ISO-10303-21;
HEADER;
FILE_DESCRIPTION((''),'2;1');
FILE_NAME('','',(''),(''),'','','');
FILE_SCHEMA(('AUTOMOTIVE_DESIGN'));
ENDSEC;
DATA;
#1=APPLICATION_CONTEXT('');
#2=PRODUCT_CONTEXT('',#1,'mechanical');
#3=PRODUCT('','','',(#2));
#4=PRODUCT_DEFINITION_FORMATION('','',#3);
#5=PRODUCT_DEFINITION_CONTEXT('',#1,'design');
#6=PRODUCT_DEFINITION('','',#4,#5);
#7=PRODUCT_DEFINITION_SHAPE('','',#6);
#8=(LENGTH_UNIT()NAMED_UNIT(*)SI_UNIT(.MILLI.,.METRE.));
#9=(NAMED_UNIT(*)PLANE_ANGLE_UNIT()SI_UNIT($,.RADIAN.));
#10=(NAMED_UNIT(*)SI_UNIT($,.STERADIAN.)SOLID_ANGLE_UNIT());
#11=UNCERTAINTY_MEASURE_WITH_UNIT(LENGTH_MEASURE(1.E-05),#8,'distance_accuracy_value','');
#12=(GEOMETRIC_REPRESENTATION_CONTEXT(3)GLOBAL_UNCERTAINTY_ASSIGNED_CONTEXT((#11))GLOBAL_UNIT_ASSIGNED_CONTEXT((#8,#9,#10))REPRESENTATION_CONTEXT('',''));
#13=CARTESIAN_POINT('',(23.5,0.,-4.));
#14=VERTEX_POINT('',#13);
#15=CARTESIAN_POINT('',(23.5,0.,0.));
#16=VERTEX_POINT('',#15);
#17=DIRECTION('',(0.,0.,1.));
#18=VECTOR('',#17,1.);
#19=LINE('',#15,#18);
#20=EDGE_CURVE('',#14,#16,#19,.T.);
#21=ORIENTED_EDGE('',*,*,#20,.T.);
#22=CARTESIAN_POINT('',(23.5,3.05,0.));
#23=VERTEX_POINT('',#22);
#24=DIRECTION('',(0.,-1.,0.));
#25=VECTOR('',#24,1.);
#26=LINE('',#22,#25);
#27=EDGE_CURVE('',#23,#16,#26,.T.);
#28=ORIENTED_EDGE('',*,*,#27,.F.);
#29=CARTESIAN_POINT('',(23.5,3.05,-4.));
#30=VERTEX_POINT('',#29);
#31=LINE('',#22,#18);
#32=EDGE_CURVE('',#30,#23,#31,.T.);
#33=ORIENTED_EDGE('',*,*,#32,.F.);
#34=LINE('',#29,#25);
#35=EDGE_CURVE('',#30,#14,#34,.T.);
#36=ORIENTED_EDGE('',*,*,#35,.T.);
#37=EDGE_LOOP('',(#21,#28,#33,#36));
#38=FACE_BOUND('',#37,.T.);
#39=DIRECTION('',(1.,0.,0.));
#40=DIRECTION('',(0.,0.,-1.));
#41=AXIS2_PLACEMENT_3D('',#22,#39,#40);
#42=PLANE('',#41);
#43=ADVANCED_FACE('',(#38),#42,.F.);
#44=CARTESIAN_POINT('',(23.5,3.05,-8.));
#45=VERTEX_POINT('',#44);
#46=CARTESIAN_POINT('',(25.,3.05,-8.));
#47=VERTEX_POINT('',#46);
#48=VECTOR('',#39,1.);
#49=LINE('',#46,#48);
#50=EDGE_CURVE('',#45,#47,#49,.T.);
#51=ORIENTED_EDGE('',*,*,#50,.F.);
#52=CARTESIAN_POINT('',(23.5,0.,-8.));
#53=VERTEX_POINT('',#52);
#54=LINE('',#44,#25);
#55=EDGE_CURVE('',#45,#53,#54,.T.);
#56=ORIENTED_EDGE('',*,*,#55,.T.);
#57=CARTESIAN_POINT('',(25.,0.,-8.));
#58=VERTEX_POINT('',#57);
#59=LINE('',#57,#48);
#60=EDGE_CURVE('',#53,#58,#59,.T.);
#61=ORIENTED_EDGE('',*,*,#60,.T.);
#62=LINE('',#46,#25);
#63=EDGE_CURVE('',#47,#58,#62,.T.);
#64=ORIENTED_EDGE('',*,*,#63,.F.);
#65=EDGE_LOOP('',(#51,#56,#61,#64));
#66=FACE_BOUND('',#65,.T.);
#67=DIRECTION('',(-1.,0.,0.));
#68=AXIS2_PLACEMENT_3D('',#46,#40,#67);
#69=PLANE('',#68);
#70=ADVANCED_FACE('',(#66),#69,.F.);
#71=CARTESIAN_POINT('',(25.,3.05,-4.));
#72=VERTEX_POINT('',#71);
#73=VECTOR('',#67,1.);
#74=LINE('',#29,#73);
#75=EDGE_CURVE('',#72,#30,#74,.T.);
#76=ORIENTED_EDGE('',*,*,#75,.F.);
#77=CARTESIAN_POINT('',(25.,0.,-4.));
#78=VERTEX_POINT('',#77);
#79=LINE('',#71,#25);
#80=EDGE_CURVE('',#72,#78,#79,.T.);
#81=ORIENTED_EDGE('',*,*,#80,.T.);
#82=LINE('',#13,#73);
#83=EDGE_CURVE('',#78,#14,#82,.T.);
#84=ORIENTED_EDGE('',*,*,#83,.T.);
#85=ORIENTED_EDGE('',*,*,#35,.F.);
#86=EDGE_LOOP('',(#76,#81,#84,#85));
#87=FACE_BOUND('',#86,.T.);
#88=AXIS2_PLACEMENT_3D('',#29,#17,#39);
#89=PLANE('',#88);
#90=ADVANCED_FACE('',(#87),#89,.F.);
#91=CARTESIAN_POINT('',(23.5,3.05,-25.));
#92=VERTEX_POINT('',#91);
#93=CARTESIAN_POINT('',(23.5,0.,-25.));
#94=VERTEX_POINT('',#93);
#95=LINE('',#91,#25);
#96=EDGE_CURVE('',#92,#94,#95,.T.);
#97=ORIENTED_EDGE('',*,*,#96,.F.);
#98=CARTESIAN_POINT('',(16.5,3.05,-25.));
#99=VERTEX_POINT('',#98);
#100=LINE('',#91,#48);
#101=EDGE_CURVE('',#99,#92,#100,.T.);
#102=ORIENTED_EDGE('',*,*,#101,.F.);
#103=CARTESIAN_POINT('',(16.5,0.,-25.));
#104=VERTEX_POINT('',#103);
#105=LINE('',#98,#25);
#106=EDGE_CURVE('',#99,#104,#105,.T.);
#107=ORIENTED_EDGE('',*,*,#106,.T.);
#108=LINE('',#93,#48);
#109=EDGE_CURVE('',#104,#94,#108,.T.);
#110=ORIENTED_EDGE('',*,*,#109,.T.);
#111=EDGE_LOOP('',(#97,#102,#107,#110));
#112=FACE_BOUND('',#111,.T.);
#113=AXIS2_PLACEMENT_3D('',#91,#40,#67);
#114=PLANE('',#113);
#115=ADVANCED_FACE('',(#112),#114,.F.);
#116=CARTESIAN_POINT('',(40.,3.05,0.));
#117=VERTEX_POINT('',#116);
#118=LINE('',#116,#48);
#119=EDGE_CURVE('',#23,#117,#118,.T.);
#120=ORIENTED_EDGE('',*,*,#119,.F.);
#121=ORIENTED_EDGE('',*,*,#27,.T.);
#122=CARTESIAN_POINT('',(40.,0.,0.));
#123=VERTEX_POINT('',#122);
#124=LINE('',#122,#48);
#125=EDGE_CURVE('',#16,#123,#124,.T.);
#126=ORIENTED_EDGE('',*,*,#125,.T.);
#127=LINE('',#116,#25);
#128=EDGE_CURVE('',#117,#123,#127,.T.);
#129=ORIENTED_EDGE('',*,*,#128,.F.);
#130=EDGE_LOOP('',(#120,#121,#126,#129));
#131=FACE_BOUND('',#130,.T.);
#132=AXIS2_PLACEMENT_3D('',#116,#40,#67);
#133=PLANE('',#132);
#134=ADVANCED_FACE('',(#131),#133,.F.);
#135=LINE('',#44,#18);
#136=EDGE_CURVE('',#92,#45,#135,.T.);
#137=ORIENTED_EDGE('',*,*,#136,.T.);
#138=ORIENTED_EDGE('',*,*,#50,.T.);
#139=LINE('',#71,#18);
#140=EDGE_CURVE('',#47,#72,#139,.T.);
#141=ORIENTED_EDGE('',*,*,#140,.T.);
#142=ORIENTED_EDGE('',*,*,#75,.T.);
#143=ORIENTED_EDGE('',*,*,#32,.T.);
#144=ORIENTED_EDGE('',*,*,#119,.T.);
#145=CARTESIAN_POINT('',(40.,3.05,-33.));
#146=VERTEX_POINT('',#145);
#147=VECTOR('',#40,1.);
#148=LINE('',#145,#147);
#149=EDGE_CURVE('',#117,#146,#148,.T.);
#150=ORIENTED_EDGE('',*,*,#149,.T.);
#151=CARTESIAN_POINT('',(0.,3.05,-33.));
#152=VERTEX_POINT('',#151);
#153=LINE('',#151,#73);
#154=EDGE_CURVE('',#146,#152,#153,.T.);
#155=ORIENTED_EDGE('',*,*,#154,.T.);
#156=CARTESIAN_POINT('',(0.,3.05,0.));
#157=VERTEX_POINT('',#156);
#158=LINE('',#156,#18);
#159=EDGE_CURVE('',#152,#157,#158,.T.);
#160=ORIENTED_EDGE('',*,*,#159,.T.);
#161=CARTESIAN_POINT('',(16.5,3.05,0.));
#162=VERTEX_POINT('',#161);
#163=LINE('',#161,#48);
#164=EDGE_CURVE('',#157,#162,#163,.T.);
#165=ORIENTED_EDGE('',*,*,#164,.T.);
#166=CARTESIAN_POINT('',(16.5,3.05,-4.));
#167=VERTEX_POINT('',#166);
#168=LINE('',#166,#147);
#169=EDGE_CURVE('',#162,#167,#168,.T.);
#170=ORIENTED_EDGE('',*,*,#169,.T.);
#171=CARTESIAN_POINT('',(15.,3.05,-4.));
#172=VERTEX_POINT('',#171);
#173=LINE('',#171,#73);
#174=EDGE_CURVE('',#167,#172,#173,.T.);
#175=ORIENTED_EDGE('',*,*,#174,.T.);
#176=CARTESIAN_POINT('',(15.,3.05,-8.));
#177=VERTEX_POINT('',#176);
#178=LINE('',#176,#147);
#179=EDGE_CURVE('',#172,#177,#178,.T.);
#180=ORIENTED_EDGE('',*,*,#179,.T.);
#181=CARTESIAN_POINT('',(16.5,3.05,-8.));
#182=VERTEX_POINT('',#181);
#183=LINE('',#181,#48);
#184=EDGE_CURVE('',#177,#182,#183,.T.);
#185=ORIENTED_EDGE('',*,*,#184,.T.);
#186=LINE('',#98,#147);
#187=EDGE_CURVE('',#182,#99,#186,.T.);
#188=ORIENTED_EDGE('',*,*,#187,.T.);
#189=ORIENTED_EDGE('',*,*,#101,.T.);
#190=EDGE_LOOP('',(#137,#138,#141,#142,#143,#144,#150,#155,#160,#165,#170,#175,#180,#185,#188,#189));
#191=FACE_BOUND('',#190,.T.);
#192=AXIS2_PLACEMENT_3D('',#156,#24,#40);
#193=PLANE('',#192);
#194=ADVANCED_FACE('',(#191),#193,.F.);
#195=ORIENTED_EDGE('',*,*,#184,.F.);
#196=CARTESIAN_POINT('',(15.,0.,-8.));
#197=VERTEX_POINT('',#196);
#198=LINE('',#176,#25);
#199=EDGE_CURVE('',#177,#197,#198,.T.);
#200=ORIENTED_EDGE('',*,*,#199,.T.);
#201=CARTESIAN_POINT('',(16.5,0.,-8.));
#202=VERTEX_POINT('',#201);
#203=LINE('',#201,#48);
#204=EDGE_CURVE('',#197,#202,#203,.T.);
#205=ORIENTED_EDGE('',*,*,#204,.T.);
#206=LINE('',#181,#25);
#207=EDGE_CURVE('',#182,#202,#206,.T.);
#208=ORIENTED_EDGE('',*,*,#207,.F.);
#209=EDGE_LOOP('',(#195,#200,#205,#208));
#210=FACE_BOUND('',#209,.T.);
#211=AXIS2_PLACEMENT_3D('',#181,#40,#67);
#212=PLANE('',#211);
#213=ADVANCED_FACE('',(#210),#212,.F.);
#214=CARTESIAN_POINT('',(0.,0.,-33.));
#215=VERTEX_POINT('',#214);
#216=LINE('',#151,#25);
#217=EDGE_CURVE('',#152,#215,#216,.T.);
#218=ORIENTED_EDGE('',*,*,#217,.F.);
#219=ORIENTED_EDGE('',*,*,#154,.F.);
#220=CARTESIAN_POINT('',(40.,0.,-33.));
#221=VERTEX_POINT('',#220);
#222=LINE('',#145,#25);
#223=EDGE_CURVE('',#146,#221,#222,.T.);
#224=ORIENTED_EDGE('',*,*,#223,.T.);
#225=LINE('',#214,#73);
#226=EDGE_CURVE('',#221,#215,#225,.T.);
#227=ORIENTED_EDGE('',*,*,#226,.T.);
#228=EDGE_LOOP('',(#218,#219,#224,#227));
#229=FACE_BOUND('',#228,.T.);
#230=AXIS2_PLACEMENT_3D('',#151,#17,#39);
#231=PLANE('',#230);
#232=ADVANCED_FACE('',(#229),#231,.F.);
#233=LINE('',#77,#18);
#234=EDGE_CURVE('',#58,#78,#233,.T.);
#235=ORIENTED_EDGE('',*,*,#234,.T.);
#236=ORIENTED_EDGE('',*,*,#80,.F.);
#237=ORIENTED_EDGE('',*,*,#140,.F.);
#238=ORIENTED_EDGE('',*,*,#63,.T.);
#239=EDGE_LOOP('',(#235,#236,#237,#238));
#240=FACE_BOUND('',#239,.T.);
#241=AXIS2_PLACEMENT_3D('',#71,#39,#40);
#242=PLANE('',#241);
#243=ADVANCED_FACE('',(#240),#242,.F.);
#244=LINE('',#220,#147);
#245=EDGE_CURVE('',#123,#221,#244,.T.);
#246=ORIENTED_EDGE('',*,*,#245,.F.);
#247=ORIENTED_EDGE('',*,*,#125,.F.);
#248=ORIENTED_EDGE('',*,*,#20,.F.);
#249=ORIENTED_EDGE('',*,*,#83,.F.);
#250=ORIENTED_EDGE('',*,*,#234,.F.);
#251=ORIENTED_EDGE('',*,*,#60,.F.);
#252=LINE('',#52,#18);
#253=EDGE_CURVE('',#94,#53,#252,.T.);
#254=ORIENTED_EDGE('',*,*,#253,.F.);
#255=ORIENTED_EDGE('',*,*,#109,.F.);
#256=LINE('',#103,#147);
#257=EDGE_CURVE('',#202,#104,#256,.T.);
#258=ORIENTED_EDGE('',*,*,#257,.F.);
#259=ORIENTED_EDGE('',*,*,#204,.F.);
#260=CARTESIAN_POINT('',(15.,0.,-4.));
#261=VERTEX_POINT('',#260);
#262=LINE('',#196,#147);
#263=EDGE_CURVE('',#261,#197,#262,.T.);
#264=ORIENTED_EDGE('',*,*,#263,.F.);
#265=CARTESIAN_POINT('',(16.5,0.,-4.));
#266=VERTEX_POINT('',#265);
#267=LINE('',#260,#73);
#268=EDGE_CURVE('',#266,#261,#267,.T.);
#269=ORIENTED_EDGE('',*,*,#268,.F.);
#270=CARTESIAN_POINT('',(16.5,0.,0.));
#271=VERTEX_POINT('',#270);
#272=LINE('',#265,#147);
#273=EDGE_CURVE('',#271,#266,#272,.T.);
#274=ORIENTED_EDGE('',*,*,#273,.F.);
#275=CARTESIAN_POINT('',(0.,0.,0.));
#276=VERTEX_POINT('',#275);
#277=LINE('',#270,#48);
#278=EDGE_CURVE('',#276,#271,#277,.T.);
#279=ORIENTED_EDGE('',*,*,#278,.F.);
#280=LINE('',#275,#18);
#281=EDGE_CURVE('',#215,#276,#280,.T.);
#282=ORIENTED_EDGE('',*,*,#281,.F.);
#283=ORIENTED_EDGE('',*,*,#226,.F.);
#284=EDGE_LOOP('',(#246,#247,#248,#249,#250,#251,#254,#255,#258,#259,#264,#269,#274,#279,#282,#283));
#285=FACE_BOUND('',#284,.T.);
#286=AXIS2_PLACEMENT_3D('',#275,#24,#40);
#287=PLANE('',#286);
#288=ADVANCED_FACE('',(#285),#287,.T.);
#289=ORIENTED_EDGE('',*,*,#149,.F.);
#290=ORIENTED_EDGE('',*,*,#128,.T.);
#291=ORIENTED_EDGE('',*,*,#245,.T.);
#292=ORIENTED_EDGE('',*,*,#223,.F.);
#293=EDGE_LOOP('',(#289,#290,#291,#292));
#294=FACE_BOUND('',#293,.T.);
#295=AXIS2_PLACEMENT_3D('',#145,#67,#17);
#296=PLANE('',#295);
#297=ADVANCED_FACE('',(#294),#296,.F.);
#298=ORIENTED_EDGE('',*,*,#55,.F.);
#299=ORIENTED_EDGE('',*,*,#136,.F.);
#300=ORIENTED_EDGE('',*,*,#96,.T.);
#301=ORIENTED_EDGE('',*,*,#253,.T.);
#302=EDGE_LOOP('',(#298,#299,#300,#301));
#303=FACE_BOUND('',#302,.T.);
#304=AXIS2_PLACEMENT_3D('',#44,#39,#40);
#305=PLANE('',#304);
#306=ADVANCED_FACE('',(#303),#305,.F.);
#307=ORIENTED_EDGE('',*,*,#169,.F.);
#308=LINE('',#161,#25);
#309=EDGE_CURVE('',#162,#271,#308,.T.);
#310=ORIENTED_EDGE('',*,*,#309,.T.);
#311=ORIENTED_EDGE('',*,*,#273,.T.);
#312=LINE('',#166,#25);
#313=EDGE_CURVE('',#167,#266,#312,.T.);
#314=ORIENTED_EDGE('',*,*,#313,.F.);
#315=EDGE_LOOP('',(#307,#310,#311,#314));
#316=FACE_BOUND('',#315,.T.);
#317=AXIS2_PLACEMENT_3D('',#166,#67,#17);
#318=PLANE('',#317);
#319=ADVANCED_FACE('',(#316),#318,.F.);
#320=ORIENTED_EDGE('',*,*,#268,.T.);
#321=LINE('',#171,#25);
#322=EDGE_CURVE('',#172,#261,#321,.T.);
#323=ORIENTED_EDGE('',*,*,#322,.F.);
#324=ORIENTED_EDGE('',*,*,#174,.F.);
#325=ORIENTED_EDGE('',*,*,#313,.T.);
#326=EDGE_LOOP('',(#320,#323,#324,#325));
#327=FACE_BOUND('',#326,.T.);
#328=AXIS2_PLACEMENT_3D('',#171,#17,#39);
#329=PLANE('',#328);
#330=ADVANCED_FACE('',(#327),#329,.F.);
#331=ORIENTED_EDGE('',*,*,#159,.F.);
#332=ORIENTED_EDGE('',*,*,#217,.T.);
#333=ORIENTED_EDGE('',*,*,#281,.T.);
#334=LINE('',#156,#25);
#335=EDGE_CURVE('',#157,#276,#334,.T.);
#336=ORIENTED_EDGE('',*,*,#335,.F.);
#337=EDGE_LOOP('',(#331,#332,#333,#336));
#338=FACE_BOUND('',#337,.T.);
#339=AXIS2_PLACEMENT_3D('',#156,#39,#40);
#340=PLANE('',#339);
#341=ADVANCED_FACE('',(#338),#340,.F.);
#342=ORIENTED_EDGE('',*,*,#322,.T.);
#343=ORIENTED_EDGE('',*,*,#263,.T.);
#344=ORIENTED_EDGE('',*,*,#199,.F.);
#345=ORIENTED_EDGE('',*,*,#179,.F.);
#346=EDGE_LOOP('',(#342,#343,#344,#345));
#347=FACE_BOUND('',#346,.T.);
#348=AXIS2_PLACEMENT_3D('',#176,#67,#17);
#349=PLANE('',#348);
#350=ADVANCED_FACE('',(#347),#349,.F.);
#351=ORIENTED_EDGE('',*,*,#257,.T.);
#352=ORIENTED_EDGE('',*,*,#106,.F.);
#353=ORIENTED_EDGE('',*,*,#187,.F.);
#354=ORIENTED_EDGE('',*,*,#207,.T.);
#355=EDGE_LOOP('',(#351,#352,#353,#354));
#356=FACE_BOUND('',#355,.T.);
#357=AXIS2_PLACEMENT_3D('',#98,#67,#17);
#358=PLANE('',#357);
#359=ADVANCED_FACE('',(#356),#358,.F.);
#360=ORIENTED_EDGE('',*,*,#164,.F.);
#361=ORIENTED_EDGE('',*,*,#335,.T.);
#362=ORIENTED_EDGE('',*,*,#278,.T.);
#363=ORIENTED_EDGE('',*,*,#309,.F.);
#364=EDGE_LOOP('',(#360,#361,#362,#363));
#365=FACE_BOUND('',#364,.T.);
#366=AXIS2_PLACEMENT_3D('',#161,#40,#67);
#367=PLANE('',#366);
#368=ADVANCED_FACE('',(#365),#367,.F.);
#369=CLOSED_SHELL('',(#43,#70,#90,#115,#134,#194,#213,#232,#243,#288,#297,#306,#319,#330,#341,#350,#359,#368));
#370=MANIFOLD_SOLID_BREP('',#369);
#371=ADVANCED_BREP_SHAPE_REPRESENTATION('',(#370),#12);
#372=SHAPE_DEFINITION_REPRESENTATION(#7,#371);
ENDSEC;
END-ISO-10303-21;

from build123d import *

# Parameters (mm, degrees)
BOSS_EXTRUDE1_DEPTH = 3.05


with BuildPart() as part:
    # Sketch1 → Boss-Extrude1 (new body)
    with BuildSketch(Plane(origin=(0, 0, 0), x_dir=(1, 0, 0), z_dir=(0, 1, 0))):
        Polygon((0, 0), (0, 33), (40, 33), (40, 0), (23.5, 0), (23.5, 4), (25, 4), (25, 8), (23.5, 8), (23.5, 25), (16.5, 25), (16.5, 8), (15, 8), (15, 4), (16.5, 4), (16.5, 0), align=None)
    extrude(amount=BOSS_EXTRUDE1_DEPTH)


solid = part.part
